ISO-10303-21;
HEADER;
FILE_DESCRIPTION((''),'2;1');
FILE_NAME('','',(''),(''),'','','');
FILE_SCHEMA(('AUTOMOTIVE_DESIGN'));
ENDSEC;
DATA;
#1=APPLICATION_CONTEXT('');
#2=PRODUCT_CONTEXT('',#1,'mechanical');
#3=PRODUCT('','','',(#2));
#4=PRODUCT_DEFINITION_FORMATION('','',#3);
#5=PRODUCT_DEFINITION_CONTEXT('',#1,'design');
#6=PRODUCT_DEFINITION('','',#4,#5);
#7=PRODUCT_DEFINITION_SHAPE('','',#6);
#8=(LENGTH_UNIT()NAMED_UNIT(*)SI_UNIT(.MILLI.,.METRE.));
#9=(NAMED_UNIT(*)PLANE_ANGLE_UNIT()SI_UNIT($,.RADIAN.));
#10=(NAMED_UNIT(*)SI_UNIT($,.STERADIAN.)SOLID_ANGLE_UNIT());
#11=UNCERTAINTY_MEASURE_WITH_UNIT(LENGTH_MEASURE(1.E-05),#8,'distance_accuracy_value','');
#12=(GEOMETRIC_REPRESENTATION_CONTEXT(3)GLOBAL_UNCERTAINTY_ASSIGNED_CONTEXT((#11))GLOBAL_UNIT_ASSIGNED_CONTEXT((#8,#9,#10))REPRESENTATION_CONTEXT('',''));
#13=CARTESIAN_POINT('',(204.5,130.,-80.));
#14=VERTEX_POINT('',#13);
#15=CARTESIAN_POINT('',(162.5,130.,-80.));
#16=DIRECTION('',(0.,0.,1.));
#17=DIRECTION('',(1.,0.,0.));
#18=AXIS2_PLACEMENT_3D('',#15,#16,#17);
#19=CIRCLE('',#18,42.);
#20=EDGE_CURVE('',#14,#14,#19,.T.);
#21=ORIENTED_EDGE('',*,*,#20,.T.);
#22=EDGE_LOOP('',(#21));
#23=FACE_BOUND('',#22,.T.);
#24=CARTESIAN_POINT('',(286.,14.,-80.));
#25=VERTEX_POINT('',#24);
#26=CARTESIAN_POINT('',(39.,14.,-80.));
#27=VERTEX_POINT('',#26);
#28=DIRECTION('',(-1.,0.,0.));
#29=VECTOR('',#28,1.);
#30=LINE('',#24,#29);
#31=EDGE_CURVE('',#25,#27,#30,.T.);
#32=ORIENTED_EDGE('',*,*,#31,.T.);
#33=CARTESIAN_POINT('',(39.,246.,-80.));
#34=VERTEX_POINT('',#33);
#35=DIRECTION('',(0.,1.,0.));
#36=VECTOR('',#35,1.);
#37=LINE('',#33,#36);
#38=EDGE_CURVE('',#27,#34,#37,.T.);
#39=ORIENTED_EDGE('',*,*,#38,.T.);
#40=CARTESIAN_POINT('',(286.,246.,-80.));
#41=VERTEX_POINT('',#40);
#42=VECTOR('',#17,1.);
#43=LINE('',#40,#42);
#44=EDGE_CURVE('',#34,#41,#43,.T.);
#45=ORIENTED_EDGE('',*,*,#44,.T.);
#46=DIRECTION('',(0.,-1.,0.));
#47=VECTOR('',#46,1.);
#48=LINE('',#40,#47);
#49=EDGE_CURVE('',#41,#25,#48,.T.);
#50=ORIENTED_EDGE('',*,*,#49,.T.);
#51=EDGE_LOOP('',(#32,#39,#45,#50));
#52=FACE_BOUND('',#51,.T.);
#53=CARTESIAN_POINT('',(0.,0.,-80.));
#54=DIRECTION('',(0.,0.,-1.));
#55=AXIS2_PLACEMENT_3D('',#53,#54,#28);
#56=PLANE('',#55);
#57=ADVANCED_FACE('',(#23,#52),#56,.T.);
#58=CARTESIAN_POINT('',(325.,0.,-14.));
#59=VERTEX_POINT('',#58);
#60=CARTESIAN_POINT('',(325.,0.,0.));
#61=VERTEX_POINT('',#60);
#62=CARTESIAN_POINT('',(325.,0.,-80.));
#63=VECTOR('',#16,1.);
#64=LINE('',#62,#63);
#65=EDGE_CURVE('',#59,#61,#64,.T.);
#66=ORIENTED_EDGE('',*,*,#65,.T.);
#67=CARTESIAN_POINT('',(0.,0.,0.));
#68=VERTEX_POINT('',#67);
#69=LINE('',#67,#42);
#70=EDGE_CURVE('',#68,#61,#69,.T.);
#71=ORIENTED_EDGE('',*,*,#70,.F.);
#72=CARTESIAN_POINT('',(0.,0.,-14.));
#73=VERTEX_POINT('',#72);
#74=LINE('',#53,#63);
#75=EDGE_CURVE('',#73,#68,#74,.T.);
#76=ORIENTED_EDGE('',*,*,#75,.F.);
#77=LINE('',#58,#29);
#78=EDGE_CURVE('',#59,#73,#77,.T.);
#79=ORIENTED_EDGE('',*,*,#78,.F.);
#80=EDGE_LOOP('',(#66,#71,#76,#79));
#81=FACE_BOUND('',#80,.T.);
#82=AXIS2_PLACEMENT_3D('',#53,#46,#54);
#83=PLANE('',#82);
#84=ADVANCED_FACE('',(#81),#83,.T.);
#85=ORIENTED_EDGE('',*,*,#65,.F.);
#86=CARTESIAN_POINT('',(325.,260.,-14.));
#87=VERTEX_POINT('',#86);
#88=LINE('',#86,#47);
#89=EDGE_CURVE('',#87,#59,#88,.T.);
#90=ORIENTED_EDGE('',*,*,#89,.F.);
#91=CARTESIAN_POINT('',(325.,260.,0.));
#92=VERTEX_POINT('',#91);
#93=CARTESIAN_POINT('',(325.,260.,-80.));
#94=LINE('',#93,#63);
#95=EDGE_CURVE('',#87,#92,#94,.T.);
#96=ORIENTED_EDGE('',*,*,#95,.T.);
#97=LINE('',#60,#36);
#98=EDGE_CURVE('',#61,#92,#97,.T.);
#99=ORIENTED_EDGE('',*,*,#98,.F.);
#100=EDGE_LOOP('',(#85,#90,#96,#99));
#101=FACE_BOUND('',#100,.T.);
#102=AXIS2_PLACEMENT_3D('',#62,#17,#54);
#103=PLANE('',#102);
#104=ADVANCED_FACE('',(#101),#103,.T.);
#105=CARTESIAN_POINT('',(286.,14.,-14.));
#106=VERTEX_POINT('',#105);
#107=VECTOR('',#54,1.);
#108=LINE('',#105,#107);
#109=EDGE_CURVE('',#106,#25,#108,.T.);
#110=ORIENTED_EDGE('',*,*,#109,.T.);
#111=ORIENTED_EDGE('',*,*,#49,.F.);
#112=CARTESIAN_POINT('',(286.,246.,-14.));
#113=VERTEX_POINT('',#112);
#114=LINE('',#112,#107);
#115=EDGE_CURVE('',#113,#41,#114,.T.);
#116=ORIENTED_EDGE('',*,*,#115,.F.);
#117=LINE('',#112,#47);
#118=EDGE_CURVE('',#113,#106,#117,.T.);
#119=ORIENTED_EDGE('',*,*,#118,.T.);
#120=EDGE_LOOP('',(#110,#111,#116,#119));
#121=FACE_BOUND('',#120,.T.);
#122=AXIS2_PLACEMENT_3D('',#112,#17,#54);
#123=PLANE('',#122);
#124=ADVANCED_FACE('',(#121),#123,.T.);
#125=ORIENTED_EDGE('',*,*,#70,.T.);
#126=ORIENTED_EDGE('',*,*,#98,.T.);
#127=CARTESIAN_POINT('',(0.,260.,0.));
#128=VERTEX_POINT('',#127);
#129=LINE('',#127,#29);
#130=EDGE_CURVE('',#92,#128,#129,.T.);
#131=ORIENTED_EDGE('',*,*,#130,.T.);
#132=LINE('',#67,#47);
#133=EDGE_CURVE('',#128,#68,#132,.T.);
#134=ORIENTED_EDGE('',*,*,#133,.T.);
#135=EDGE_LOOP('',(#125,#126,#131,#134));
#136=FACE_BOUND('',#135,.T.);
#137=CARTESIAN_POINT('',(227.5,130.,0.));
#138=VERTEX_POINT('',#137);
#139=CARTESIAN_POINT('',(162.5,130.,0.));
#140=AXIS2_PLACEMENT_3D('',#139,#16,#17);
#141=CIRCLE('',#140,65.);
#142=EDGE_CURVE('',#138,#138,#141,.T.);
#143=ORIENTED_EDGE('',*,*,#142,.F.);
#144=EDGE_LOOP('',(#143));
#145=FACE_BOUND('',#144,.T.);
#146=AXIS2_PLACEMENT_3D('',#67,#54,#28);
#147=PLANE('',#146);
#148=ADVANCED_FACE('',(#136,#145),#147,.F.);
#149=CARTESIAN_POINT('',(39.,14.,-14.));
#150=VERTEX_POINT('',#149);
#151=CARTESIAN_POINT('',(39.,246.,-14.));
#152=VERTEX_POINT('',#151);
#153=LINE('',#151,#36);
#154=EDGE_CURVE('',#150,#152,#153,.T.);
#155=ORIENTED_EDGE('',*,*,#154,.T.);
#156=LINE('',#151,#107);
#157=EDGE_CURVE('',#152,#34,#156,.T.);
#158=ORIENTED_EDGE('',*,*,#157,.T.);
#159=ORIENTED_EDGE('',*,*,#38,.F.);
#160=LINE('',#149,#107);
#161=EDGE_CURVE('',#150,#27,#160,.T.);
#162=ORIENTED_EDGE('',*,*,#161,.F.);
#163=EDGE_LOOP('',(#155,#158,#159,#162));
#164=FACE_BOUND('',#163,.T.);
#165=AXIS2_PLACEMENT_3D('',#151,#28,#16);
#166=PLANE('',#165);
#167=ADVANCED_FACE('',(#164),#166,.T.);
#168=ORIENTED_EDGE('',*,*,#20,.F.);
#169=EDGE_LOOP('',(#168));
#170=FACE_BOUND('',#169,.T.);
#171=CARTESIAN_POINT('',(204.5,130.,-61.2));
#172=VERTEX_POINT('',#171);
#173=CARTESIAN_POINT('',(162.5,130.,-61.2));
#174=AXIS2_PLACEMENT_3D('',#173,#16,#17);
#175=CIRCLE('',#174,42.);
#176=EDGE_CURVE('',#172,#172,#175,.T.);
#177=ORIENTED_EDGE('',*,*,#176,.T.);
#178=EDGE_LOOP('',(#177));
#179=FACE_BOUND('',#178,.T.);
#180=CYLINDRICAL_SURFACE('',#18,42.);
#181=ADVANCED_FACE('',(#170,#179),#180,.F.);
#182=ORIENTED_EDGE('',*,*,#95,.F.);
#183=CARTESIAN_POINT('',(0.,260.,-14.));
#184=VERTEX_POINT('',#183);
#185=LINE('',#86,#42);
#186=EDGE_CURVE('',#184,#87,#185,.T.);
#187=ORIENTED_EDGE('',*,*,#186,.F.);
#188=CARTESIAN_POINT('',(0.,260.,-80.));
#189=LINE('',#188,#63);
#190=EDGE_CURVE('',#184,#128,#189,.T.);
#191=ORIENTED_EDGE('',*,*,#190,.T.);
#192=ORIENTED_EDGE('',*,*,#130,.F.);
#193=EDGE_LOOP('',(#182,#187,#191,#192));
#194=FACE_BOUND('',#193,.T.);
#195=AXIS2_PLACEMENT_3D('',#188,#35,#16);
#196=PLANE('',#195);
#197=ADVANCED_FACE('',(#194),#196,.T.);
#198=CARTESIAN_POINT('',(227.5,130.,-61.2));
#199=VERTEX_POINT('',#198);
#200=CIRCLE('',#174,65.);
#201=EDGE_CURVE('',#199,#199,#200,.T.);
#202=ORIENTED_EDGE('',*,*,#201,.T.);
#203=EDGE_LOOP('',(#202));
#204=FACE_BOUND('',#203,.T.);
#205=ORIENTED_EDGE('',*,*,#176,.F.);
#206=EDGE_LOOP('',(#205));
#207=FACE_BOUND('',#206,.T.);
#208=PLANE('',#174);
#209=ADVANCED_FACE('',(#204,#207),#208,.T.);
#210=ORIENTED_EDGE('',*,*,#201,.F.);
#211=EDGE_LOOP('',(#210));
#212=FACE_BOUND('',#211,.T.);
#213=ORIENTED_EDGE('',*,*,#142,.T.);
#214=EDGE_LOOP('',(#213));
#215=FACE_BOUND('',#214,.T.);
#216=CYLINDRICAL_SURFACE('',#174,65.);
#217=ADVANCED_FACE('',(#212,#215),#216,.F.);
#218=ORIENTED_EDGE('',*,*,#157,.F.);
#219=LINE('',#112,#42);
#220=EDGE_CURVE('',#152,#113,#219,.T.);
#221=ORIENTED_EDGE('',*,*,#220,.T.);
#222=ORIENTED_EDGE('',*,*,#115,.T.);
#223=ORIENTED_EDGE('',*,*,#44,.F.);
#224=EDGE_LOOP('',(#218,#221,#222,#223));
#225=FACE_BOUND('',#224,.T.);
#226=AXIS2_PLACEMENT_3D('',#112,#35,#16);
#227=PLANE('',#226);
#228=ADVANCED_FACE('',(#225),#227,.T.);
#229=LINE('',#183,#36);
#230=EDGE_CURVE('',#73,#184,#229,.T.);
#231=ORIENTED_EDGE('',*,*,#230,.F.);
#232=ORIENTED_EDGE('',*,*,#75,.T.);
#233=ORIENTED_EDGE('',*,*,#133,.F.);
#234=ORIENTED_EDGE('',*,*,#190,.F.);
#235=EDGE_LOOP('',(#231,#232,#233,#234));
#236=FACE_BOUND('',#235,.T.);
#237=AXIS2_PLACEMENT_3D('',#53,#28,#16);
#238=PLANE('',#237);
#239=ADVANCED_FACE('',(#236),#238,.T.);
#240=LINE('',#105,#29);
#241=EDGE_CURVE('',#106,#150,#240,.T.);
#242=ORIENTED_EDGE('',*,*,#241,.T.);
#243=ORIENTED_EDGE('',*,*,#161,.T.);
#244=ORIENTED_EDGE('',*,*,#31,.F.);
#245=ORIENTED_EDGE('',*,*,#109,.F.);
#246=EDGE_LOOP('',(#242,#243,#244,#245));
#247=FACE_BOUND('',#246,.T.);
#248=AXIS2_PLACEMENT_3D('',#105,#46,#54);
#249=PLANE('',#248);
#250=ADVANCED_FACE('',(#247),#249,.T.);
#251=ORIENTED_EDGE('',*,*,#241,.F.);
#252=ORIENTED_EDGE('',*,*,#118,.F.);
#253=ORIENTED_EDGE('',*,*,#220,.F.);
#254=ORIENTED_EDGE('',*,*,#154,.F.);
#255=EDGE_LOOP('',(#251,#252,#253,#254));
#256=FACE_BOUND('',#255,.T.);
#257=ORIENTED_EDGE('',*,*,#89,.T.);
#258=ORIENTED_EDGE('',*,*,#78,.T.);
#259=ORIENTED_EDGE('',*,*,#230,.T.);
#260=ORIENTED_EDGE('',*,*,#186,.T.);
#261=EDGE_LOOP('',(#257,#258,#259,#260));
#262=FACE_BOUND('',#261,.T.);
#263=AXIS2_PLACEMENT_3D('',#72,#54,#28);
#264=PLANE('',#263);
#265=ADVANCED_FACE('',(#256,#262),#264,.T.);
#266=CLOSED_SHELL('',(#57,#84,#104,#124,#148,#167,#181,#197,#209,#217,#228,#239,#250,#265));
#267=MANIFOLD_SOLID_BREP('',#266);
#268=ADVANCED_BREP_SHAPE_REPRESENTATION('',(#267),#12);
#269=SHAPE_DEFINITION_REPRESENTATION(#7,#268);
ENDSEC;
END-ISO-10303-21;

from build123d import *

# Parameters (mm, degrees)
SKETCH1_W           = 325
SKETCH1_H           = 260
BOSS_EXTRUDE1_DEPTH = 80
SKETCH2_R           = 65
CUT_EXTRUDE1_DEPTH  = 61.2
SKETCH3_R           = 42
CUT_EXTRUDE2_DEPTH  = 424.821896556
SKETCH4_W           = 325
SKETCH4_H           = 260
SKETCH4_W_2         = 247
SKETCH4_H_2         = 232
CUT_EXTRUDE3_DEPTH  = 66


with BuildPart() as part:
    # Sketch1 → Boss-Extrude1 (new body)
    with BuildSketch(Plane.XY):
        with Locations((162.5, 130)):
            Rectangle(SKETCH1_W, SKETCH1_H)
    extrude(amount=-BOSS_EXTRUDE1_DEPTH)

    # Sketch2 → Cut-Extrude1 (cut)
    with BuildSketch(Plane.XY):
        with Locations((162.5, 130)):
            Circle(SKETCH2_R)
    extrude(amount=-CUT_EXTRUDE1_DEPTH, mode=Mode.SUBTRACT)

    # Sketch3 → Cut-Extrude2 (cut, through all)
    with BuildSketch(Plane.XY):
        with Locations((162.5, 130)):
            Circle(SKETCH3_R)
    extrude(amount=-CUT_EXTRUDE2_DEPTH, mode=Mode.SUBTRACT)

    # Sketch4 → Cut-Extrude3 (cut)
    with BuildSketch(Plane(origin=(0, 0, -80), x_dir=(-1, 0, 0), z_dir=(0, 0, -1))):
        with Locations((-162.5, 130)):
            Rectangle(SKETCH4_W, SKETCH4_H)
        with Locations((-162.5, 130)):
            Rectangle(SKETCH4_W_2, SKETCH4_H_2, mode=Mode.SUBTRACT)
    extrude(amount=-CUT_EXTRUDE3_DEPTH, mode=Mode.SUBTRACT)


solid = part.part
